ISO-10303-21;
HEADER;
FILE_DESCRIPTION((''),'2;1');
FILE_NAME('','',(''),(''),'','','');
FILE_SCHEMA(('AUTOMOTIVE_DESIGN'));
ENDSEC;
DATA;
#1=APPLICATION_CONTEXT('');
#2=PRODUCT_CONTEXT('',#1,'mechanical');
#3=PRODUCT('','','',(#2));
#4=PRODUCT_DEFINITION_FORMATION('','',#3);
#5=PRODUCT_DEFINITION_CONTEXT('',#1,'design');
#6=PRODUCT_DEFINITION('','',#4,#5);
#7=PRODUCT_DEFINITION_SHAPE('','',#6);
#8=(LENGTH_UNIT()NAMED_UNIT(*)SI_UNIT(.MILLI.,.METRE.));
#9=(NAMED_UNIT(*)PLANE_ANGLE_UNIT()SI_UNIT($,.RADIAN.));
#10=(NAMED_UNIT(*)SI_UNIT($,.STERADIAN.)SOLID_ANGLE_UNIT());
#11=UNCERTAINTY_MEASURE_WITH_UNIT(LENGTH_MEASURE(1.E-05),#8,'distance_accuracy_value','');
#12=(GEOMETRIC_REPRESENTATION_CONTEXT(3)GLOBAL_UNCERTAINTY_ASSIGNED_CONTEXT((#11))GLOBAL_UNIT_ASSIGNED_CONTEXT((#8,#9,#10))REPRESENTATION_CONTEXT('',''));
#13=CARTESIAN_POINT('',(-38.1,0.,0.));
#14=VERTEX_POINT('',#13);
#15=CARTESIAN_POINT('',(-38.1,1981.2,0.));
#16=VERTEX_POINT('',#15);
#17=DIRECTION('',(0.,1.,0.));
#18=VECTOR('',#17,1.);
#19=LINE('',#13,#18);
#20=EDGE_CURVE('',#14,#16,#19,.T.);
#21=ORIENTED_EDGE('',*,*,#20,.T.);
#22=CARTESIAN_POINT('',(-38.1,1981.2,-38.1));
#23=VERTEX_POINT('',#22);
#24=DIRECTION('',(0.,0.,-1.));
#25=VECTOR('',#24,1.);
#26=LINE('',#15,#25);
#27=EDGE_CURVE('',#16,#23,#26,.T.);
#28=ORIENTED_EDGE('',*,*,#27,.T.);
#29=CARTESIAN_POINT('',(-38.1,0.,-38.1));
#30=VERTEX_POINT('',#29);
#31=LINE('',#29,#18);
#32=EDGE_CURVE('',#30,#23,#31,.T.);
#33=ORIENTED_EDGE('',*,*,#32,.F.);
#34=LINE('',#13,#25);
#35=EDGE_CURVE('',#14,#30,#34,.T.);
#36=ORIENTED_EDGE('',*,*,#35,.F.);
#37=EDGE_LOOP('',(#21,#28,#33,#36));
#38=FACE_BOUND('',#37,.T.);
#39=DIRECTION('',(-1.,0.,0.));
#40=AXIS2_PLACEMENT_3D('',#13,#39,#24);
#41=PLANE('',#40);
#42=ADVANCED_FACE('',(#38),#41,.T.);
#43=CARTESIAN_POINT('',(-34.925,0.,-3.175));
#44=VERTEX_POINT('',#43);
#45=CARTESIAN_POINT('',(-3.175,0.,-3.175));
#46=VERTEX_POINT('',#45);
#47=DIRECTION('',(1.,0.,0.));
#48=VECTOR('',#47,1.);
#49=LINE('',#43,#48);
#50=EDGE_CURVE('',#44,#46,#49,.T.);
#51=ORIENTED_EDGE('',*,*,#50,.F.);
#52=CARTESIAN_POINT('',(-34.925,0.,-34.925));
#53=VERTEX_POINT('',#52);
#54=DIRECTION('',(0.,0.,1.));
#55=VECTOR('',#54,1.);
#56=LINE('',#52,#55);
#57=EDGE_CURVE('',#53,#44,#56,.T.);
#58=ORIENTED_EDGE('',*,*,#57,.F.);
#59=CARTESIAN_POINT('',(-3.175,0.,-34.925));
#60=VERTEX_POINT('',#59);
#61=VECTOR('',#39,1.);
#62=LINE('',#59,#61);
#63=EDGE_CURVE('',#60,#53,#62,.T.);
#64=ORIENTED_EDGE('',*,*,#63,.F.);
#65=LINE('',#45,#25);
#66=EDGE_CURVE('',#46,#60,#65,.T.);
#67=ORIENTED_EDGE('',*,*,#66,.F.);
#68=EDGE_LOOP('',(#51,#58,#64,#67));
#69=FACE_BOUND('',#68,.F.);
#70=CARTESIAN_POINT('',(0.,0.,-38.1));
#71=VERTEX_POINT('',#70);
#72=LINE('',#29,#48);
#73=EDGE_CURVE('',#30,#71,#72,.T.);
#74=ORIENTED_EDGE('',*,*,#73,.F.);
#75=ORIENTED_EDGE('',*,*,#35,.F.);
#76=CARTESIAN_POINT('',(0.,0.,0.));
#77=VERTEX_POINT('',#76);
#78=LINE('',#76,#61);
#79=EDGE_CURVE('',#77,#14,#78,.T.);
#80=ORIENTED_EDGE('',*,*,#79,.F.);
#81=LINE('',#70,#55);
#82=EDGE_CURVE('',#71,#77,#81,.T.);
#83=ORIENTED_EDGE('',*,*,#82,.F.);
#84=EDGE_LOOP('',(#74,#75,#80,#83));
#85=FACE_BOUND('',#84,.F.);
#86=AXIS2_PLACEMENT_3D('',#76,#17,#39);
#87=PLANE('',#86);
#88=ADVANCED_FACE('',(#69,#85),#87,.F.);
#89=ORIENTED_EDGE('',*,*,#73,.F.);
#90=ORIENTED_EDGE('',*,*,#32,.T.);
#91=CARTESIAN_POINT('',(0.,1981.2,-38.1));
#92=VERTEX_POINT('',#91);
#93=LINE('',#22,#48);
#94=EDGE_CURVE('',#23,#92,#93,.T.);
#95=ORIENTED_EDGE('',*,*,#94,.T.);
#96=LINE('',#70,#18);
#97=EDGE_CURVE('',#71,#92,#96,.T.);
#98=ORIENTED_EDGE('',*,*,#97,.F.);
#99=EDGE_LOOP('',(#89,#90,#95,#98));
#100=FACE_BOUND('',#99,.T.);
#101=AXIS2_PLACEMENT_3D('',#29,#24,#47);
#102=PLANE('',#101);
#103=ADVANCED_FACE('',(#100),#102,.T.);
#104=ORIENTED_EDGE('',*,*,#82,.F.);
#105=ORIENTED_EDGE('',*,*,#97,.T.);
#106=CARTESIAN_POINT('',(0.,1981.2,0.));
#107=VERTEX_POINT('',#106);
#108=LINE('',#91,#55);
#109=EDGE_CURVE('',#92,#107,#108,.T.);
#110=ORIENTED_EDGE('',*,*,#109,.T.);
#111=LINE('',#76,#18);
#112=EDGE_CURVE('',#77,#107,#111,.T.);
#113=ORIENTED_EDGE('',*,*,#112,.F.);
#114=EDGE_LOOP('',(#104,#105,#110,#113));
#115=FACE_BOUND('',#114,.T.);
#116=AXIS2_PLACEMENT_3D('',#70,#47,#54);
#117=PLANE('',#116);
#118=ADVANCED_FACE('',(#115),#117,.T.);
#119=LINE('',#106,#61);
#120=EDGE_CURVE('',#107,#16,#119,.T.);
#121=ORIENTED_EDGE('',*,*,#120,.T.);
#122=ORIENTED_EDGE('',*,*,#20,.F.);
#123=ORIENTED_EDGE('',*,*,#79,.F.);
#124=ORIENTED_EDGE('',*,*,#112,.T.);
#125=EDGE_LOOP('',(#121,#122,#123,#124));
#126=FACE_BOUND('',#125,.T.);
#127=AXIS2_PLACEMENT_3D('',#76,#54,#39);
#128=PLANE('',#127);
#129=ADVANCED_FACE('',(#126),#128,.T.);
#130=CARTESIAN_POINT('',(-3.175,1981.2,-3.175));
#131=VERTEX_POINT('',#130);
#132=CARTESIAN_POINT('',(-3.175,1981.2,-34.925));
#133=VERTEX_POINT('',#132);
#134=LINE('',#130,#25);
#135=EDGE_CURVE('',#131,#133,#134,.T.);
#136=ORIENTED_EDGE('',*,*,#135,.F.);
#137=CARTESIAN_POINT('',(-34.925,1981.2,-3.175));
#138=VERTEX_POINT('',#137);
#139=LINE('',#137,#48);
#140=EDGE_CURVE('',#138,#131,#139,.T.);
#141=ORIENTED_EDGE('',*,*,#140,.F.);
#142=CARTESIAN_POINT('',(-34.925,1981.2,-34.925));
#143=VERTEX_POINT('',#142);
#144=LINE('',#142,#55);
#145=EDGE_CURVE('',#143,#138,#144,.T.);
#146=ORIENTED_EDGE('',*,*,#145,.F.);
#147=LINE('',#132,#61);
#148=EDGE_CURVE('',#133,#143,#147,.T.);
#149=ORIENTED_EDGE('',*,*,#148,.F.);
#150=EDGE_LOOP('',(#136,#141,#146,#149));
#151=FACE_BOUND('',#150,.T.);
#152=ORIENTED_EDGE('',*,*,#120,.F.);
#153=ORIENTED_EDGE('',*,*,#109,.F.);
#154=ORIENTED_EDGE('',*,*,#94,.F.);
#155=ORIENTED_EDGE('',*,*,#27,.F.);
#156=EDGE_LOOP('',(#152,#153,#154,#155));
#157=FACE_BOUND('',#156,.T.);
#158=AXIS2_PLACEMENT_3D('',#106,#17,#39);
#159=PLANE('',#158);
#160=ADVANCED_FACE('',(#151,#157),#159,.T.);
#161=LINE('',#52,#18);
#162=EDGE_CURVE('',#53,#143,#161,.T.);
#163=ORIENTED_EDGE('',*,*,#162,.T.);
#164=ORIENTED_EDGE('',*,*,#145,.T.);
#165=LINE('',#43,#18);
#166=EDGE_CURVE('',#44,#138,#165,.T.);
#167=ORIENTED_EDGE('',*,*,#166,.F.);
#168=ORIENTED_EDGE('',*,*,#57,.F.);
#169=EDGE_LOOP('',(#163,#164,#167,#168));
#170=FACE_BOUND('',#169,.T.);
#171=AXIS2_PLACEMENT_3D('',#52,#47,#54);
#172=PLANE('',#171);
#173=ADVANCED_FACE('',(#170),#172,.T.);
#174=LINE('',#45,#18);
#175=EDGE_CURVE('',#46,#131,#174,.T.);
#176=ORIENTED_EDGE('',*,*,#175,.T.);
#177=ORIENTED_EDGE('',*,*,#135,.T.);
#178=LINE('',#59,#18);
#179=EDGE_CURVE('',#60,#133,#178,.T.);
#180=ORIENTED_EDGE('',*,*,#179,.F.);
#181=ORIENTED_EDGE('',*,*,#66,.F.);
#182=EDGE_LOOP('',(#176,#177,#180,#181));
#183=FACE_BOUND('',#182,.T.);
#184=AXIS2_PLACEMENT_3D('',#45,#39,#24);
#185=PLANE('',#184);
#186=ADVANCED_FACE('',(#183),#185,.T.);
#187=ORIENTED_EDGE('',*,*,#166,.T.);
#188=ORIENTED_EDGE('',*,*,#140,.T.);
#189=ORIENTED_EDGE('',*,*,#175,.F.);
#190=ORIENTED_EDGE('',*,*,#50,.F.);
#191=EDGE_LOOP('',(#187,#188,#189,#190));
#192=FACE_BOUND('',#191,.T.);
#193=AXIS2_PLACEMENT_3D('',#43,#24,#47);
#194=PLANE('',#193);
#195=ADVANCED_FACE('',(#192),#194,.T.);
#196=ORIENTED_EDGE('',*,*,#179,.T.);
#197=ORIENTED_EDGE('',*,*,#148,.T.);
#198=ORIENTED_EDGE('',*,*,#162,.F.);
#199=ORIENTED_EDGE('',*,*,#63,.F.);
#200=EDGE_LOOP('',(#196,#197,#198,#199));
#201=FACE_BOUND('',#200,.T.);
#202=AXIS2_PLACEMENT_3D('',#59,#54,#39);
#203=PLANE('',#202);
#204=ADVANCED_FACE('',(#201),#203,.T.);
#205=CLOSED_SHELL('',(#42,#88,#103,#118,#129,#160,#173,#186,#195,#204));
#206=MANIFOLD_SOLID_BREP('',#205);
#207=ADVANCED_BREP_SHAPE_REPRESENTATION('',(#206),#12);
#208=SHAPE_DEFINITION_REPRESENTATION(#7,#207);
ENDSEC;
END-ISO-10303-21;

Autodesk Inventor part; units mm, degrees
ref_plane "YZ Plane" through (0, 0, 0) normal (1, 0, 0) x (0, 1, 0)
ref_plane "XZ Plane" through (0, 0, 0) normal (0, 1, 0) x (-1, 0, 0)
ref_plane "XY Plane" through (0, 0, 0) normal (0, 0, 1) x (1, 0, 0)
sketch "Sketch1" plane through (0, 0, 0) normal (0, 1, 0) x (-1, 0, 0)
  line L0 (0, 0) -> (38.1, 0)
  line L1 (38.1, 0) -> (38.1, -38.1)
  line L2 (38.1, -38.1) -> (0, -38.1)
  line L3 (0, -38.1) -> (0, 0)
  line L4 (34.925, -34.925) -> (34.925, -3.175)
  line L5 (34.925, -3.175) -> (3.175, -3.175)
  line L6 (3.175, -3.175) -> (3.175, -34.925)
  line L7 (3.175, -34.925) -> (34.925, -34.925)
  dimension "d0" = 38.1
  dimension "d1" = 38.1
  dimension "d2" = 3.175
extrude "Extrusion1" add sketch "Sketch1" along normal blind 1981.2
properties part number "StationDividerPost-ver1-1111-2021" material "Aluminum 6061"
